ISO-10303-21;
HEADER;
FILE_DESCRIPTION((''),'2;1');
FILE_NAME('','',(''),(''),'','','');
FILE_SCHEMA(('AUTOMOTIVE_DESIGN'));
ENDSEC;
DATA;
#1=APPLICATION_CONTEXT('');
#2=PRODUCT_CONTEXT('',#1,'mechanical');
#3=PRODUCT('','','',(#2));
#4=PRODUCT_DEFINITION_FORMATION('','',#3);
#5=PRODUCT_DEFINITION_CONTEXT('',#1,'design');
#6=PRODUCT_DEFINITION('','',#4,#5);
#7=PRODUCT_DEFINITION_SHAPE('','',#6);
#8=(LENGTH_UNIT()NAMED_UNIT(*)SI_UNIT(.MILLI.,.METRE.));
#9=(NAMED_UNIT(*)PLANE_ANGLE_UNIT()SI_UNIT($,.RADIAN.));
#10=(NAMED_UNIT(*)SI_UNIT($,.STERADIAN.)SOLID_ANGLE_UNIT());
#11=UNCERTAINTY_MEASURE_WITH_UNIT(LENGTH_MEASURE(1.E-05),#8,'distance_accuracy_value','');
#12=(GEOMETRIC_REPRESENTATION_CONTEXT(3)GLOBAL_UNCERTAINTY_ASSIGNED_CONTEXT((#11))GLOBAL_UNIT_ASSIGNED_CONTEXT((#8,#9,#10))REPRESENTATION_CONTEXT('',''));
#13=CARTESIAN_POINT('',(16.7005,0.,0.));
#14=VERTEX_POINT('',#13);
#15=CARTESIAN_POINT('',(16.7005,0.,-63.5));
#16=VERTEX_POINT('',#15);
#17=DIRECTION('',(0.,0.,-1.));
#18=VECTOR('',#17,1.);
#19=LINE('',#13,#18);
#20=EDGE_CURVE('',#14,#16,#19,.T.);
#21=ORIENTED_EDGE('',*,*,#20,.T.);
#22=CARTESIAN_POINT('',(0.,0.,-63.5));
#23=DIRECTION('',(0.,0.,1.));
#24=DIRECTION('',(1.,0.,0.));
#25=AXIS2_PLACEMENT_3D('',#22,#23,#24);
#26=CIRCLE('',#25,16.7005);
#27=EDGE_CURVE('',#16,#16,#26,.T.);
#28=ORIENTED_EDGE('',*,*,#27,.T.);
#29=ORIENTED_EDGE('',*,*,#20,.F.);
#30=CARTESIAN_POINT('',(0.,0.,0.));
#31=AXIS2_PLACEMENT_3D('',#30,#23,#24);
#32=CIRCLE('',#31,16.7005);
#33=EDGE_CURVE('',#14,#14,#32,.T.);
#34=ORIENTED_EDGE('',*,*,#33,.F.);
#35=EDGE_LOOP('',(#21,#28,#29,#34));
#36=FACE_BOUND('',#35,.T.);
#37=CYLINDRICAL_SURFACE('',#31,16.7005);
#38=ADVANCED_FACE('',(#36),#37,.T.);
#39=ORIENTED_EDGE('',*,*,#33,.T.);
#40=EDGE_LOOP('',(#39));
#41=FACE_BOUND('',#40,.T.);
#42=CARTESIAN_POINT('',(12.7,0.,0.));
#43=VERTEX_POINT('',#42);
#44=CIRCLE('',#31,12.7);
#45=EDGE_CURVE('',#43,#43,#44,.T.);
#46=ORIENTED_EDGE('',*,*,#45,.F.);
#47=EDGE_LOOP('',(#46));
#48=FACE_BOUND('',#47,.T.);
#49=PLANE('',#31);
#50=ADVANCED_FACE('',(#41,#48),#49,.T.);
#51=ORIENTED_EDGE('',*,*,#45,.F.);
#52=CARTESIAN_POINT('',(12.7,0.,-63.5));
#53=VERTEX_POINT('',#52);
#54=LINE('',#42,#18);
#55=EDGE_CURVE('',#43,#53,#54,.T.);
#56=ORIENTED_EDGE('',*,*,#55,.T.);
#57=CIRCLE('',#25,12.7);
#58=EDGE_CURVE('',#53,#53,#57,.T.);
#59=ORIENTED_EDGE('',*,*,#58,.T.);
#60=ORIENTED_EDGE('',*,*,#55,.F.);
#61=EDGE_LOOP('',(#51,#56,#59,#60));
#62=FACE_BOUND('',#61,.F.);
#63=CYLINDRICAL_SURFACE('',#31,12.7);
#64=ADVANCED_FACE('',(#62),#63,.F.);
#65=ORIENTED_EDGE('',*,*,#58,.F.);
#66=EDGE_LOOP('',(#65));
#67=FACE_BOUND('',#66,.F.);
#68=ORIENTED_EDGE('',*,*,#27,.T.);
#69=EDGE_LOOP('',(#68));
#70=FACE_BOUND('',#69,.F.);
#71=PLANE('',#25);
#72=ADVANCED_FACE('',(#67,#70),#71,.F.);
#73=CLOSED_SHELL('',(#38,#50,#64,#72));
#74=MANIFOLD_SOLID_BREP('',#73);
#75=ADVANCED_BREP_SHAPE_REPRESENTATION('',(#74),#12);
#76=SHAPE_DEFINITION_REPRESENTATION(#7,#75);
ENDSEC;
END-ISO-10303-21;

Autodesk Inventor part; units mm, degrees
ref_plane "YZ Plane" through (0, 0, 0) normal (1, 0, 0) x (0, 1, 0)
ref_plane "XZ Plane" through (0, 0, 0) normal (0, 1, 0) x (-1, 0, 0)
ref_plane "XY Plane" through (0, 0, 0) normal (0, 0, 1) x (1, 0, 0)
sketch "Sketch1" plane through (0, 0, 0) normal (0, 0, 1) x (1, 0, 0)
  circle A0 centre (0, 0) radius 16.7005
  circle A1 centre (0, 0) radius 12.7
  dimension "d0" = 33.401
  dimension "d1" = 25.4
extrude "Extrusion1" add sketch "Sketch1" against normal blind 63.5
properties part number "Formufit Pipe 1 Inch Flush Fittings"
